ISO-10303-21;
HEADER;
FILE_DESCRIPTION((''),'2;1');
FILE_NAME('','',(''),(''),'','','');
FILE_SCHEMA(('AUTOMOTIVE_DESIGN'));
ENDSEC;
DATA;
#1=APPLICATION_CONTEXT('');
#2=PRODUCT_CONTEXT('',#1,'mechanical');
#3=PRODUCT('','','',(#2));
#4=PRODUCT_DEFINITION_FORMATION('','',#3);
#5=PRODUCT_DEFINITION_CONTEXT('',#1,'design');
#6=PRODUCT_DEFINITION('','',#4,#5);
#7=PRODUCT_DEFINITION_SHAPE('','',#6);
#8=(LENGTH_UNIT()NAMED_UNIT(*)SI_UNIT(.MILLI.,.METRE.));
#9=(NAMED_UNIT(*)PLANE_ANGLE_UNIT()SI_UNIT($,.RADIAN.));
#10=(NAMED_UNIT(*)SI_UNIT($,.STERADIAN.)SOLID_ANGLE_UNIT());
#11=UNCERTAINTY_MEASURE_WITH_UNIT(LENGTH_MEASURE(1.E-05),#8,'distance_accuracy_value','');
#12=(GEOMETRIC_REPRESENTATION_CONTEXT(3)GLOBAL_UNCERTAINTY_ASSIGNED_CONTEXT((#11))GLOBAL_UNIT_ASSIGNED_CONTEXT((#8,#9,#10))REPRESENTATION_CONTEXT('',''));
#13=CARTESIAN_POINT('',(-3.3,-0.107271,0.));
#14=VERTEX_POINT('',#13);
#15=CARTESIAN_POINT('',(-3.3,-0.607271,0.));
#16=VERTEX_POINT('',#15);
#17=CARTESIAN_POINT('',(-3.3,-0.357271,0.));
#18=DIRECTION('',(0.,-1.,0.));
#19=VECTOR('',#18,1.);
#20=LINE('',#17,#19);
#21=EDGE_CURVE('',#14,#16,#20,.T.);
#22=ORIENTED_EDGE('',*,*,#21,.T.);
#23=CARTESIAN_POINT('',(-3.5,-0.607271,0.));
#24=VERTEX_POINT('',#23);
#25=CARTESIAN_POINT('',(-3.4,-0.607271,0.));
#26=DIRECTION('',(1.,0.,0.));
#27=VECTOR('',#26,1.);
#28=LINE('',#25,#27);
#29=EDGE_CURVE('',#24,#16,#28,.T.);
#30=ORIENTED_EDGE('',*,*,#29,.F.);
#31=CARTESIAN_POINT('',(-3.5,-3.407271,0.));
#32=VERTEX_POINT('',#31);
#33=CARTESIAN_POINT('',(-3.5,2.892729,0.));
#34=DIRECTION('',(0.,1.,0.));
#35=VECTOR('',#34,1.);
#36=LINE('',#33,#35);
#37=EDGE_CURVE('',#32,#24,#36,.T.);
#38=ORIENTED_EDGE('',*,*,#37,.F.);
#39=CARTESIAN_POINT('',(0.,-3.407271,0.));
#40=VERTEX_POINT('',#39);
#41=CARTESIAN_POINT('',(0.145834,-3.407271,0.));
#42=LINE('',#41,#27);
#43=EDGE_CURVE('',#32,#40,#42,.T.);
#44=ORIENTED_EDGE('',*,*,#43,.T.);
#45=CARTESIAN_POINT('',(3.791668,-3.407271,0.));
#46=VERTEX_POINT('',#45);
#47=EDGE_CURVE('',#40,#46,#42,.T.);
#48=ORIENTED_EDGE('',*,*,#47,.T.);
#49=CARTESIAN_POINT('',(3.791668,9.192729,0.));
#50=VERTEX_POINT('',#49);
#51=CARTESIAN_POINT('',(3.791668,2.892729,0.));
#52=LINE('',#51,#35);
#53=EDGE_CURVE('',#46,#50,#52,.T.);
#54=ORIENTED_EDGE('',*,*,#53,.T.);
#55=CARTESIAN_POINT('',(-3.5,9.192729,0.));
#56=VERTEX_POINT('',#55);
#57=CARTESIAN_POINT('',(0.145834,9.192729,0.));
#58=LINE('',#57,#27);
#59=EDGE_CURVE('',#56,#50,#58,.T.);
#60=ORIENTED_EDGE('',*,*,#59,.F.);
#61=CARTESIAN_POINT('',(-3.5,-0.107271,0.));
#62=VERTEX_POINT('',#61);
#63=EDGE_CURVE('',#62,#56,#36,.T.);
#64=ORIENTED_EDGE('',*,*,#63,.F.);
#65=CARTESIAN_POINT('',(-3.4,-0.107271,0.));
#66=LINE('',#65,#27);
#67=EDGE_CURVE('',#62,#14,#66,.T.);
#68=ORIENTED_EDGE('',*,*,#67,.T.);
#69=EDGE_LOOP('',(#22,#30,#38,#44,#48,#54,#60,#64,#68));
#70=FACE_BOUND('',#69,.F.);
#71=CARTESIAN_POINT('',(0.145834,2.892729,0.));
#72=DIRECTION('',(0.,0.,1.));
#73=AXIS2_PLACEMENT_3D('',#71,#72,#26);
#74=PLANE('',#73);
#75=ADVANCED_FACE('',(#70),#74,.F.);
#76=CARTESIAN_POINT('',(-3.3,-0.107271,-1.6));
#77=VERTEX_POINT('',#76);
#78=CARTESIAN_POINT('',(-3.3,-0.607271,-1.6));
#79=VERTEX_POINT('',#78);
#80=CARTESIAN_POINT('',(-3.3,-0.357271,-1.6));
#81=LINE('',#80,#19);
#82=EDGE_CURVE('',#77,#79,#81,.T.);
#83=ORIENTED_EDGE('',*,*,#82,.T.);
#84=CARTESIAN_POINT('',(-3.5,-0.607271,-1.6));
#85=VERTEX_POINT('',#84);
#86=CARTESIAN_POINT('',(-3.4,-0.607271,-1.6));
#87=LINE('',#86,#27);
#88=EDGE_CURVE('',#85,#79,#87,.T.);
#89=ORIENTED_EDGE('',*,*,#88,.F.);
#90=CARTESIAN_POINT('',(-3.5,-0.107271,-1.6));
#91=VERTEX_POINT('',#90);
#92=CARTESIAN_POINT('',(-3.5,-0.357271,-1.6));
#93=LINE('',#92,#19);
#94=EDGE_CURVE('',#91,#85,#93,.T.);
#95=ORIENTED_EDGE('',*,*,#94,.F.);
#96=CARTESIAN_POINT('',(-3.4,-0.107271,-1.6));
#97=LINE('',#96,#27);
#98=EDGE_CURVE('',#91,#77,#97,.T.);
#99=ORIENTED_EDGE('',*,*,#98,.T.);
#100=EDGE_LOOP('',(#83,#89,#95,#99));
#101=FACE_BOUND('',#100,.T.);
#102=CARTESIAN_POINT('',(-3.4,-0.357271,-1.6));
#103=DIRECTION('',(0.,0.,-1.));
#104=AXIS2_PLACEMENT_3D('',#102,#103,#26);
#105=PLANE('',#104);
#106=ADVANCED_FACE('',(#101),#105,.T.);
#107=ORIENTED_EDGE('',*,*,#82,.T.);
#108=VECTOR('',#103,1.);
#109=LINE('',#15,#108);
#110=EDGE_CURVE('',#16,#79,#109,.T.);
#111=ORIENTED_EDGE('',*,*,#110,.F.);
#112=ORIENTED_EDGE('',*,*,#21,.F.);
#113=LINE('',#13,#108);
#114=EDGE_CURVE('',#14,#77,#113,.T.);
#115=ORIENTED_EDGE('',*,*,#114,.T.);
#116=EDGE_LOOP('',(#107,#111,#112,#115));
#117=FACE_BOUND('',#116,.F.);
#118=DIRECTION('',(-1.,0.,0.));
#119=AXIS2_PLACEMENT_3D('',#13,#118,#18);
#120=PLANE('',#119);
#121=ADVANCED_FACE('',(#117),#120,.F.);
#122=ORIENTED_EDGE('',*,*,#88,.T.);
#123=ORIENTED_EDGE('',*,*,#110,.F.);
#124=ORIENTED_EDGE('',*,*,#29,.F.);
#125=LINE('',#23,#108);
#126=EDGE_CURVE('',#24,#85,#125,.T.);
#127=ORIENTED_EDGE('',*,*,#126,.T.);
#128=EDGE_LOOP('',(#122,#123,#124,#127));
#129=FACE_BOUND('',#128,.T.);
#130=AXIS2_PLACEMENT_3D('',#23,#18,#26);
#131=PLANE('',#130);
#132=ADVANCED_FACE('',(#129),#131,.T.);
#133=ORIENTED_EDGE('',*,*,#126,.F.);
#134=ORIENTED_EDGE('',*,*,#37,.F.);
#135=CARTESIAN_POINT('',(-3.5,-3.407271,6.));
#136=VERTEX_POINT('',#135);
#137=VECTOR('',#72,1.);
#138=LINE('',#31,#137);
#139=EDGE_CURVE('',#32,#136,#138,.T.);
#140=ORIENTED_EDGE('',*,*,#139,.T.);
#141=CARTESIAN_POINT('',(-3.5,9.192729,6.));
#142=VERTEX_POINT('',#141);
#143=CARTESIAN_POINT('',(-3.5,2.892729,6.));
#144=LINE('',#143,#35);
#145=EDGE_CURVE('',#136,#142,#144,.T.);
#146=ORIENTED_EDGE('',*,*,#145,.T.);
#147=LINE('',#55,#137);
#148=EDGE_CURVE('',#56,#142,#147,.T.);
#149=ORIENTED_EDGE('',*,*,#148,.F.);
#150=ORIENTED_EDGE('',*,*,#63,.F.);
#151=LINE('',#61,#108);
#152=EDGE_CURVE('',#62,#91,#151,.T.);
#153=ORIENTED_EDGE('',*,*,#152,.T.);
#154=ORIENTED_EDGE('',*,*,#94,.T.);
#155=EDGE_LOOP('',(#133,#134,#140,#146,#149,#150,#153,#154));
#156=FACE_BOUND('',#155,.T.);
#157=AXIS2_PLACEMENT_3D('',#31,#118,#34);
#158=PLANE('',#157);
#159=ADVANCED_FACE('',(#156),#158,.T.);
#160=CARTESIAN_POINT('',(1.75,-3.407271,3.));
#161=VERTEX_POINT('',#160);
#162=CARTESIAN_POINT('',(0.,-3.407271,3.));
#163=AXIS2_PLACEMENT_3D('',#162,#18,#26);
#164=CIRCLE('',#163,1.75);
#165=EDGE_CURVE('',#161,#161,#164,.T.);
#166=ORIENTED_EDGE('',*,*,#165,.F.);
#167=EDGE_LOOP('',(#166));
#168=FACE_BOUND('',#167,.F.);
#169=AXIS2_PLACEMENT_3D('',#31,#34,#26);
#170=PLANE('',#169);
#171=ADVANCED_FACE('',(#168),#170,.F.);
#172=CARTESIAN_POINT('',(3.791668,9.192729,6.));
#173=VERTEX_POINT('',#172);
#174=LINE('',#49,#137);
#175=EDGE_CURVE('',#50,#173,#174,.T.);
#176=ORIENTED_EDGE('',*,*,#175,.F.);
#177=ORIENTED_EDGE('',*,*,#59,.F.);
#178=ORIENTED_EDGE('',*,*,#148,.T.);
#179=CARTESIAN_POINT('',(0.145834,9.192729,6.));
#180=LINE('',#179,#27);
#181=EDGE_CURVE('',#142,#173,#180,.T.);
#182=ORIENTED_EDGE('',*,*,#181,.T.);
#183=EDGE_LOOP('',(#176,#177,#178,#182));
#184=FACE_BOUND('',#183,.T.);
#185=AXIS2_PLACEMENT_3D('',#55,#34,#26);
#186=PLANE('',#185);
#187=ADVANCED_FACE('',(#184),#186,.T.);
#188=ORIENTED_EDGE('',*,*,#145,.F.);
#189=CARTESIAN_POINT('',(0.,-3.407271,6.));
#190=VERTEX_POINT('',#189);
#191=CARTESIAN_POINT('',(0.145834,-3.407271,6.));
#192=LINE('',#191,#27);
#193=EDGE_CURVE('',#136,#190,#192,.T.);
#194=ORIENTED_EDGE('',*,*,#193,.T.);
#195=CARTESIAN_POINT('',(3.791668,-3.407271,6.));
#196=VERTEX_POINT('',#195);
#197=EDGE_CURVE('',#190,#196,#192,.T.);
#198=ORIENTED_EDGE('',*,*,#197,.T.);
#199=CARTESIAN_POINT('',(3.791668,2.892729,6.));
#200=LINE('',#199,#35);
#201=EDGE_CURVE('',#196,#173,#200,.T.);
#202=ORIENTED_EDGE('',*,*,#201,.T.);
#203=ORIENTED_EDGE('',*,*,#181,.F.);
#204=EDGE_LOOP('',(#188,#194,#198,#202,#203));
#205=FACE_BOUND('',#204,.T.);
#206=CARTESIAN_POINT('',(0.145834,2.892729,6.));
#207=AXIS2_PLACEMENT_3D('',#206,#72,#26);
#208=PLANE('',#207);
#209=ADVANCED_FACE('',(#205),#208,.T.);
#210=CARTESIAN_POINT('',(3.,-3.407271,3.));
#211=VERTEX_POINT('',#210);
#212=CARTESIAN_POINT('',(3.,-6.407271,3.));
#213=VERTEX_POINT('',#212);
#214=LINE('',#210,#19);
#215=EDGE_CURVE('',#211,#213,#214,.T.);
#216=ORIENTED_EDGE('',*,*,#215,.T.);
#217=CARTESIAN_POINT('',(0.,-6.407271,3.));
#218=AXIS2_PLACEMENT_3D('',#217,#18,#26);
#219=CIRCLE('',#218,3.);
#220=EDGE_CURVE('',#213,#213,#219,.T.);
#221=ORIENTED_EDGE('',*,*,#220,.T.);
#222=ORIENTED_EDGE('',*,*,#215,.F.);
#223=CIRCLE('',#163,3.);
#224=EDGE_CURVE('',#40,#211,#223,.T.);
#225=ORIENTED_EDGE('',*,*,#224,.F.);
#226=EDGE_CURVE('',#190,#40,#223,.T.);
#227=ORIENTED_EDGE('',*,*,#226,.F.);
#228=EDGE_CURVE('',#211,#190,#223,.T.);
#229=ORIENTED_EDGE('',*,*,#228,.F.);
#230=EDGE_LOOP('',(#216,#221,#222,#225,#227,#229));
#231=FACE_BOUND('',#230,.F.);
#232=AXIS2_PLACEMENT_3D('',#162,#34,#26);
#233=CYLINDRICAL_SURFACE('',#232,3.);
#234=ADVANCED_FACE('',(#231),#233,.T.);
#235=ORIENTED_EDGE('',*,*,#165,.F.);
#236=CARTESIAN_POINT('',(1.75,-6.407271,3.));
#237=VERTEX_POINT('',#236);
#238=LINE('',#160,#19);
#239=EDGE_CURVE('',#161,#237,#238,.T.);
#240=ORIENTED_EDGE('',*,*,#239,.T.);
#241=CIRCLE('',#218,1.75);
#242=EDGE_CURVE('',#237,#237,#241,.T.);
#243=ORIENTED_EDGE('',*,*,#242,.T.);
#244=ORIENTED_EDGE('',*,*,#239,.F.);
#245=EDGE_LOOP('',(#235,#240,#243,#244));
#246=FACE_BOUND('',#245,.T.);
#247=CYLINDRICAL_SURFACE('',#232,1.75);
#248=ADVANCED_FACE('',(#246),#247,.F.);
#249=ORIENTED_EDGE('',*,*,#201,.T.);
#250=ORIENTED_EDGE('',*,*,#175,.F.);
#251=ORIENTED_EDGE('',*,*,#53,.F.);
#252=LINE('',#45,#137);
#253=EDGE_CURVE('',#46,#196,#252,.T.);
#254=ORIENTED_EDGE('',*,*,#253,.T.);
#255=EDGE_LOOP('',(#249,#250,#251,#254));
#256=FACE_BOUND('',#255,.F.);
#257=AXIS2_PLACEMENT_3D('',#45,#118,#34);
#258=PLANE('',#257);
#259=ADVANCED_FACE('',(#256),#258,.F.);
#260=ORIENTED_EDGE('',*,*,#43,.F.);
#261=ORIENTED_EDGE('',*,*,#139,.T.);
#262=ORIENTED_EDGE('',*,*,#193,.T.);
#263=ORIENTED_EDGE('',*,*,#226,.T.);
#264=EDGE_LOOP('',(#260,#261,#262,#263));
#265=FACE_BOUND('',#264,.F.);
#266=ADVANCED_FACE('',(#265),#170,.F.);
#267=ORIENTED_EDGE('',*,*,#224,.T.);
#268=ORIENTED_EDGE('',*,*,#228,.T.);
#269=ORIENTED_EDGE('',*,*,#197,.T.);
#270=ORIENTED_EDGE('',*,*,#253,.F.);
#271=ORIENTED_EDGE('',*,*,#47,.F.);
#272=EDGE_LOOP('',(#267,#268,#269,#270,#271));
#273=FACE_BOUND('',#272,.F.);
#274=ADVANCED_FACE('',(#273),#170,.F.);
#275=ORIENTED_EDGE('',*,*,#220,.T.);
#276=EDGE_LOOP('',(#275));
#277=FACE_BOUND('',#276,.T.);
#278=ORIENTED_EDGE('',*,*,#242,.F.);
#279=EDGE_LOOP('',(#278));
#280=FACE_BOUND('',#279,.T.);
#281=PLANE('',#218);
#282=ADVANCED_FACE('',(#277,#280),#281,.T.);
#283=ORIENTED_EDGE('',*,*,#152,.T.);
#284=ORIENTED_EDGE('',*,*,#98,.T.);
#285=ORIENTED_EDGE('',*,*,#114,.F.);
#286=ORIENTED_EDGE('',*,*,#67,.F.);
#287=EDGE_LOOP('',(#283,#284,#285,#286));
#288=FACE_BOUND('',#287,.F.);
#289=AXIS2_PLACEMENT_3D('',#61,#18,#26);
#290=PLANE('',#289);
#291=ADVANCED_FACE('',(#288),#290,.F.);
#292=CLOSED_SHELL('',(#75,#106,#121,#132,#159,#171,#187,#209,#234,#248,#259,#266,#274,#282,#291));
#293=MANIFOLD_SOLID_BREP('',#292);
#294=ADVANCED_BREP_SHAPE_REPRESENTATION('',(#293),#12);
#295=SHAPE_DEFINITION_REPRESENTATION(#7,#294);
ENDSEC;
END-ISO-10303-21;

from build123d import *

# Parameters (mm, degrees)
F0_W     = 7.291668
F0_H     = 12.6
F1_DEPTH = 6
F2_R     = 3
F2_R_2   = 1.75
F3_DEPTH = 3
F4_W     = 0.2
F4_H     = 0.5
F5_DEPTH = 1.6


with BuildPart() as f1:
    # F0 (on Top) → F1 (new body)
    with BuildSketch(Plane.XY):
        with Locations((0.145834, 2.892729)):
            Rectangle(F0_W, F0_H)
    extrude(amount=F1_DEPTH)

    # F2 (on face) → F3 (join)
    with BuildSketch(Plane.XZ.offset(3.407271)):
        with Locations((0, 3)):
            Circle(F2_R)
        with Locations((0, 3)):
            Circle(F2_R_2, mode=Mode.SUBTRACT)
    extrude(amount=F3_DEPTH)

    # F4 (on face) → F5 (join)
    with BuildSketch(Plane(origin=(0, 0, 0), x_dir=(1, 0, 0), z_dir=(0, 0, -1))):
        with Locations((-3.4, 0.357271)):
            Rectangle(F4_W, F4_H)
    extrude(amount=F5_DEPTH)


solid = f1.part
